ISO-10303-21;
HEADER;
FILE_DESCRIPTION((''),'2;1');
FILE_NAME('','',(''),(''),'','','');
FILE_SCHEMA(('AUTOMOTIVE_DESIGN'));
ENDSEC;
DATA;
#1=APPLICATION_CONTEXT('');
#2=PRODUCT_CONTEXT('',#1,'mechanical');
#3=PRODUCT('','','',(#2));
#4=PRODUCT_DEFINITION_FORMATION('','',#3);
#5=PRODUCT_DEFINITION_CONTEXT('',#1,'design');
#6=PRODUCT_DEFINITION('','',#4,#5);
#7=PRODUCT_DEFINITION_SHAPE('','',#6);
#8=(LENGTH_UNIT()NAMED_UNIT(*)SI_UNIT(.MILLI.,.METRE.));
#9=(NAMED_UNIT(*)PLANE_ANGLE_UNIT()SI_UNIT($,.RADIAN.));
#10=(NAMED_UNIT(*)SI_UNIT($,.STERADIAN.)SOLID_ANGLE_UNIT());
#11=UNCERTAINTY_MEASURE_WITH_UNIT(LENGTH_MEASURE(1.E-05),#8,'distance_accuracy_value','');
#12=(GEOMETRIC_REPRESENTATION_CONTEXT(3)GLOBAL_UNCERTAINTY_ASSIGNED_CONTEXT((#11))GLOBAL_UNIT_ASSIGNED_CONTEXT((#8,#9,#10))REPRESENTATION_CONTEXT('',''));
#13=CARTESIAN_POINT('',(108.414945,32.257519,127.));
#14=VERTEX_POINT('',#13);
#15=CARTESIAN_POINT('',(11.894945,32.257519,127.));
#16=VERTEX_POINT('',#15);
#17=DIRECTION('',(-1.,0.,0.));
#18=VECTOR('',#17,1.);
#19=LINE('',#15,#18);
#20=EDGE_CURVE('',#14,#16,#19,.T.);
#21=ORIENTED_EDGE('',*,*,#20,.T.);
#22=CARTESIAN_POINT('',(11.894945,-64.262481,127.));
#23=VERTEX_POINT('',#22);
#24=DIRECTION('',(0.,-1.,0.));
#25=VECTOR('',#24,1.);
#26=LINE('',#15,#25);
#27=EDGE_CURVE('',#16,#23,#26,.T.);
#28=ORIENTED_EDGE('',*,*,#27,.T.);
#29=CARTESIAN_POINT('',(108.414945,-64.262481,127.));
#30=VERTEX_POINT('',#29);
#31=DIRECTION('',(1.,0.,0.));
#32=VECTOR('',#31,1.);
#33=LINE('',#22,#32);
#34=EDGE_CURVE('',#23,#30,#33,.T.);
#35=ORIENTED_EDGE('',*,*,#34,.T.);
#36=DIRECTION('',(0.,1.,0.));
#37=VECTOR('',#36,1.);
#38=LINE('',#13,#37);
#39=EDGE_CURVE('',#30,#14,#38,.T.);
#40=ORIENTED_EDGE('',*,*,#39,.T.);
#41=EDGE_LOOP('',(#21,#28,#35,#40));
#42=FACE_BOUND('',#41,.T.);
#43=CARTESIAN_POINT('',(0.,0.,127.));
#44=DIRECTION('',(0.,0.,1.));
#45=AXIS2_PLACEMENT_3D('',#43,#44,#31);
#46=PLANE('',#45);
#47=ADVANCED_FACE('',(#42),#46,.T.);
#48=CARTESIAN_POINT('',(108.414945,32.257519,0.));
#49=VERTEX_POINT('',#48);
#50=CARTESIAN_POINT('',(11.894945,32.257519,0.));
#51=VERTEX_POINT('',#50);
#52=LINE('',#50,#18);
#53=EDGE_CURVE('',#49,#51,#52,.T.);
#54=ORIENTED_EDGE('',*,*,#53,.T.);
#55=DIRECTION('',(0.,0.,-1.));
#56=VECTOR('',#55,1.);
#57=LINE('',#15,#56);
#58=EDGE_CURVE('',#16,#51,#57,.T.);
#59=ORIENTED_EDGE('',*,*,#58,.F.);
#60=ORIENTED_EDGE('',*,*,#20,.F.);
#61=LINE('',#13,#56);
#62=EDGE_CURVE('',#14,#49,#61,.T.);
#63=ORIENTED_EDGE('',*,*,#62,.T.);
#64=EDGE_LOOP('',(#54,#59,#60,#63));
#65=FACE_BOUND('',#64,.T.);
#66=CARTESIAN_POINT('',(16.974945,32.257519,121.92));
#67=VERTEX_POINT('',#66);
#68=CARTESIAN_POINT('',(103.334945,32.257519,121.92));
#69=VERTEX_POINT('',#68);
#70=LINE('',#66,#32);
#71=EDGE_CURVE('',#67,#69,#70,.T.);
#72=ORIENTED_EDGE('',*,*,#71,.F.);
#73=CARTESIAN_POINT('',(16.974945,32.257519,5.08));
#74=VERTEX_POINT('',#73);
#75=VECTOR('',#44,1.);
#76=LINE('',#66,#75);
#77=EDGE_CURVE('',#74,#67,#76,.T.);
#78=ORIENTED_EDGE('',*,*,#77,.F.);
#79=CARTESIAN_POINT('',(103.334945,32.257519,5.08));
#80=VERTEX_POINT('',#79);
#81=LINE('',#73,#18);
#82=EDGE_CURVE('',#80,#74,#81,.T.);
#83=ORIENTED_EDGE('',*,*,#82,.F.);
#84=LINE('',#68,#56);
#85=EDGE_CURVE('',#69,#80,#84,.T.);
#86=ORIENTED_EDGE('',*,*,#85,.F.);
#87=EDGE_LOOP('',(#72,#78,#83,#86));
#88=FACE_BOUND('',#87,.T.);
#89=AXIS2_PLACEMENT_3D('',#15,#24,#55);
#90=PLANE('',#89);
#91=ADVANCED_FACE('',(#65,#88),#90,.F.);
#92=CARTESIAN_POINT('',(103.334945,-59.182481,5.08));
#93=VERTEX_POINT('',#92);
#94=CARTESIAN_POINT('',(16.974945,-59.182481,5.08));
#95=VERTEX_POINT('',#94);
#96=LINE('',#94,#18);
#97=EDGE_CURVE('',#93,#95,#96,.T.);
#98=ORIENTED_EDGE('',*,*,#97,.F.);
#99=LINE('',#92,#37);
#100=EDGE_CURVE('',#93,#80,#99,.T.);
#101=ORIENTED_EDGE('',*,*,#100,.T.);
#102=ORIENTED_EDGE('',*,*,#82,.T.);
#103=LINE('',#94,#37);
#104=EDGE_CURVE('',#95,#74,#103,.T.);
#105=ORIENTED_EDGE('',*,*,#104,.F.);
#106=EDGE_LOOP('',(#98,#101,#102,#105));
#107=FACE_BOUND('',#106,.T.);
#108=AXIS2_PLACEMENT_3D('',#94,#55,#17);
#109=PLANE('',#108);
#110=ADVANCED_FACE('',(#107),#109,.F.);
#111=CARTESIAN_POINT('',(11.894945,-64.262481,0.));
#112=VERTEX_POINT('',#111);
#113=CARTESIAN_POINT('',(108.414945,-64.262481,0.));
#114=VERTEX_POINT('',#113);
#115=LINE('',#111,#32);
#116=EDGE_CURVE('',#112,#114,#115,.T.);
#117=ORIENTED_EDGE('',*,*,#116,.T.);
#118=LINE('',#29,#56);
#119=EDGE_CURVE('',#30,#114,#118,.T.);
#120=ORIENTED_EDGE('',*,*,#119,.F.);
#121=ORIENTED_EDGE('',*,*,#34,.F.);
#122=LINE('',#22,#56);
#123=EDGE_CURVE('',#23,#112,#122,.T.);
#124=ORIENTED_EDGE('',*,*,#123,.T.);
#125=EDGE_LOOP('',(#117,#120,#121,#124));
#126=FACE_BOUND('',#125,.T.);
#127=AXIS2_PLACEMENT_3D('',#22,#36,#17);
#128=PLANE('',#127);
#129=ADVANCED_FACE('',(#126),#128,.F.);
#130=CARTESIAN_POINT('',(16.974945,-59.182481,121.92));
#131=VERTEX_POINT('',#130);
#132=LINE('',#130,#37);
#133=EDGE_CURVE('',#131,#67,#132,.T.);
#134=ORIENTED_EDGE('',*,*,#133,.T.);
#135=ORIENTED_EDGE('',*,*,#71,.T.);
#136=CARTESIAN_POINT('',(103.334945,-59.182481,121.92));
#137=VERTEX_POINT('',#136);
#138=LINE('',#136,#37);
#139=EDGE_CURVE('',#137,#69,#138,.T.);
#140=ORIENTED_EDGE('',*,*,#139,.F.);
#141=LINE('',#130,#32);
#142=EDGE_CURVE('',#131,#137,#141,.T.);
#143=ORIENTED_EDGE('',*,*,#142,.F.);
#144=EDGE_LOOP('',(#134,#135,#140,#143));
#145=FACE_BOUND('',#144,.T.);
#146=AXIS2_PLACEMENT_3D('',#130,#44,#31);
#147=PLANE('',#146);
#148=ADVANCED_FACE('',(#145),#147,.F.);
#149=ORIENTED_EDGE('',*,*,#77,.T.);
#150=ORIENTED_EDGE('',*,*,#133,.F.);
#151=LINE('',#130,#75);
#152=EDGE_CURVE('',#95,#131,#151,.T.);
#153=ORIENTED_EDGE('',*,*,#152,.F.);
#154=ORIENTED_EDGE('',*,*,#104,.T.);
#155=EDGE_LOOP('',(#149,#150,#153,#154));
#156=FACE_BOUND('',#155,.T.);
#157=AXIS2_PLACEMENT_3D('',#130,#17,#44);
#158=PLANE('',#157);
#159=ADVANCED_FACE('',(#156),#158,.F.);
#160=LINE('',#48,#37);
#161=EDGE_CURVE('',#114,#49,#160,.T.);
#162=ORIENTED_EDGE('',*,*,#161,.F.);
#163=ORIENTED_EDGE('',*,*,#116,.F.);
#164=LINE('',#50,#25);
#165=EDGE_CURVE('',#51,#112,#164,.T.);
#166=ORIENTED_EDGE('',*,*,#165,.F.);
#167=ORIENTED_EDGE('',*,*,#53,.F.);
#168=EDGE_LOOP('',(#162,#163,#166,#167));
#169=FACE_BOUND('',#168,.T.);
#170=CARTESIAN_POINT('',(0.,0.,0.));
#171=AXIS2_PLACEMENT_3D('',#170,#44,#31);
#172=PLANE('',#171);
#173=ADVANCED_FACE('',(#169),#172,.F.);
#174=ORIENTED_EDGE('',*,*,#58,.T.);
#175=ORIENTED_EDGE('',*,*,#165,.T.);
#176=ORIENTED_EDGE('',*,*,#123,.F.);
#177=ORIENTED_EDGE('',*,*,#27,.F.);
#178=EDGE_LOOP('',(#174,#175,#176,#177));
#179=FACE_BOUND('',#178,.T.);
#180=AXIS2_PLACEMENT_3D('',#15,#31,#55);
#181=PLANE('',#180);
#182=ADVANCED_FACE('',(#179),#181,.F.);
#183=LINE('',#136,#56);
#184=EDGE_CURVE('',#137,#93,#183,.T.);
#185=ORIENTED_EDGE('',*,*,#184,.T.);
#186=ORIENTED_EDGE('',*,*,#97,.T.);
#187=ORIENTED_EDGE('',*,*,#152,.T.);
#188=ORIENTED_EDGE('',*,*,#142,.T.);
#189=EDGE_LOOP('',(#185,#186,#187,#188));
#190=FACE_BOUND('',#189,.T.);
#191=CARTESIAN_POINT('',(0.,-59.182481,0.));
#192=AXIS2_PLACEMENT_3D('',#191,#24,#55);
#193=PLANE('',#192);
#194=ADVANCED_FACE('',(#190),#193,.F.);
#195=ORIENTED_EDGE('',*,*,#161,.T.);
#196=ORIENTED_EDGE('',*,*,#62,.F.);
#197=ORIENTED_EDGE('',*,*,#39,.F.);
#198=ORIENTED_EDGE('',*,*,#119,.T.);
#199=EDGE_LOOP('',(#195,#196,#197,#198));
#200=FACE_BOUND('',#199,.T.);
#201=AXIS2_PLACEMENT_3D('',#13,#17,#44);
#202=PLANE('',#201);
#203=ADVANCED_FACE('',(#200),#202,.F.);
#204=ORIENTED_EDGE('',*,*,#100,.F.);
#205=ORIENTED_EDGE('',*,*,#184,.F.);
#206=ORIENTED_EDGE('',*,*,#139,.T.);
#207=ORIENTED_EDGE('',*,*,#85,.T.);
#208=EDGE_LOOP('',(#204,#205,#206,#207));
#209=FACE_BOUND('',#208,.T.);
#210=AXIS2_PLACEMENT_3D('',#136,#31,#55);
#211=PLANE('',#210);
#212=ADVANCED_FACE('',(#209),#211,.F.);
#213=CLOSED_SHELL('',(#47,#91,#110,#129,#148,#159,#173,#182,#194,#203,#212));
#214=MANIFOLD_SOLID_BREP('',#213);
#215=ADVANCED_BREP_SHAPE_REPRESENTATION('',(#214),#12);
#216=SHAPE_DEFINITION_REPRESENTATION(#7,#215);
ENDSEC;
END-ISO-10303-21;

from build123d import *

# Parameters (mm, degrees)
SKETCH2_W           = 96.52
SKETCH2_H           = 96.52
BOSS_EXTRUDE1_DEPTH = 127
SKETCH3_W           = 86.36
SKETCH3_H           = 116.84
CUT_EXTRUDE1_DEPTH  = 91.44


with BuildPart() as part:
    # Sketch2 → Boss-Extrude1 (new body)
    with BuildSketch(Plane.XY):
        with Locations((60.154945376, -16.002480847)):
            Rectangle(SKETCH2_W, SKETCH2_H)
    extrude(amount=BOSS_EXTRUDE1_DEPTH)

    # Sketch3 → Cut-Extrude1 (cut)
    with BuildSketch(Plane(origin=(0, 32.257519153, 0), x_dir=(1, 0, 0), z_dir=(0, 1, 0))):
        with Locations((60.154945376, -63.5)):
            Rectangle(SKETCH3_W, SKETCH3_H)
    extrude(amount=-CUT_EXTRUDE1_DEPTH, mode=Mode.SUBTRACT)


solid = part.part
